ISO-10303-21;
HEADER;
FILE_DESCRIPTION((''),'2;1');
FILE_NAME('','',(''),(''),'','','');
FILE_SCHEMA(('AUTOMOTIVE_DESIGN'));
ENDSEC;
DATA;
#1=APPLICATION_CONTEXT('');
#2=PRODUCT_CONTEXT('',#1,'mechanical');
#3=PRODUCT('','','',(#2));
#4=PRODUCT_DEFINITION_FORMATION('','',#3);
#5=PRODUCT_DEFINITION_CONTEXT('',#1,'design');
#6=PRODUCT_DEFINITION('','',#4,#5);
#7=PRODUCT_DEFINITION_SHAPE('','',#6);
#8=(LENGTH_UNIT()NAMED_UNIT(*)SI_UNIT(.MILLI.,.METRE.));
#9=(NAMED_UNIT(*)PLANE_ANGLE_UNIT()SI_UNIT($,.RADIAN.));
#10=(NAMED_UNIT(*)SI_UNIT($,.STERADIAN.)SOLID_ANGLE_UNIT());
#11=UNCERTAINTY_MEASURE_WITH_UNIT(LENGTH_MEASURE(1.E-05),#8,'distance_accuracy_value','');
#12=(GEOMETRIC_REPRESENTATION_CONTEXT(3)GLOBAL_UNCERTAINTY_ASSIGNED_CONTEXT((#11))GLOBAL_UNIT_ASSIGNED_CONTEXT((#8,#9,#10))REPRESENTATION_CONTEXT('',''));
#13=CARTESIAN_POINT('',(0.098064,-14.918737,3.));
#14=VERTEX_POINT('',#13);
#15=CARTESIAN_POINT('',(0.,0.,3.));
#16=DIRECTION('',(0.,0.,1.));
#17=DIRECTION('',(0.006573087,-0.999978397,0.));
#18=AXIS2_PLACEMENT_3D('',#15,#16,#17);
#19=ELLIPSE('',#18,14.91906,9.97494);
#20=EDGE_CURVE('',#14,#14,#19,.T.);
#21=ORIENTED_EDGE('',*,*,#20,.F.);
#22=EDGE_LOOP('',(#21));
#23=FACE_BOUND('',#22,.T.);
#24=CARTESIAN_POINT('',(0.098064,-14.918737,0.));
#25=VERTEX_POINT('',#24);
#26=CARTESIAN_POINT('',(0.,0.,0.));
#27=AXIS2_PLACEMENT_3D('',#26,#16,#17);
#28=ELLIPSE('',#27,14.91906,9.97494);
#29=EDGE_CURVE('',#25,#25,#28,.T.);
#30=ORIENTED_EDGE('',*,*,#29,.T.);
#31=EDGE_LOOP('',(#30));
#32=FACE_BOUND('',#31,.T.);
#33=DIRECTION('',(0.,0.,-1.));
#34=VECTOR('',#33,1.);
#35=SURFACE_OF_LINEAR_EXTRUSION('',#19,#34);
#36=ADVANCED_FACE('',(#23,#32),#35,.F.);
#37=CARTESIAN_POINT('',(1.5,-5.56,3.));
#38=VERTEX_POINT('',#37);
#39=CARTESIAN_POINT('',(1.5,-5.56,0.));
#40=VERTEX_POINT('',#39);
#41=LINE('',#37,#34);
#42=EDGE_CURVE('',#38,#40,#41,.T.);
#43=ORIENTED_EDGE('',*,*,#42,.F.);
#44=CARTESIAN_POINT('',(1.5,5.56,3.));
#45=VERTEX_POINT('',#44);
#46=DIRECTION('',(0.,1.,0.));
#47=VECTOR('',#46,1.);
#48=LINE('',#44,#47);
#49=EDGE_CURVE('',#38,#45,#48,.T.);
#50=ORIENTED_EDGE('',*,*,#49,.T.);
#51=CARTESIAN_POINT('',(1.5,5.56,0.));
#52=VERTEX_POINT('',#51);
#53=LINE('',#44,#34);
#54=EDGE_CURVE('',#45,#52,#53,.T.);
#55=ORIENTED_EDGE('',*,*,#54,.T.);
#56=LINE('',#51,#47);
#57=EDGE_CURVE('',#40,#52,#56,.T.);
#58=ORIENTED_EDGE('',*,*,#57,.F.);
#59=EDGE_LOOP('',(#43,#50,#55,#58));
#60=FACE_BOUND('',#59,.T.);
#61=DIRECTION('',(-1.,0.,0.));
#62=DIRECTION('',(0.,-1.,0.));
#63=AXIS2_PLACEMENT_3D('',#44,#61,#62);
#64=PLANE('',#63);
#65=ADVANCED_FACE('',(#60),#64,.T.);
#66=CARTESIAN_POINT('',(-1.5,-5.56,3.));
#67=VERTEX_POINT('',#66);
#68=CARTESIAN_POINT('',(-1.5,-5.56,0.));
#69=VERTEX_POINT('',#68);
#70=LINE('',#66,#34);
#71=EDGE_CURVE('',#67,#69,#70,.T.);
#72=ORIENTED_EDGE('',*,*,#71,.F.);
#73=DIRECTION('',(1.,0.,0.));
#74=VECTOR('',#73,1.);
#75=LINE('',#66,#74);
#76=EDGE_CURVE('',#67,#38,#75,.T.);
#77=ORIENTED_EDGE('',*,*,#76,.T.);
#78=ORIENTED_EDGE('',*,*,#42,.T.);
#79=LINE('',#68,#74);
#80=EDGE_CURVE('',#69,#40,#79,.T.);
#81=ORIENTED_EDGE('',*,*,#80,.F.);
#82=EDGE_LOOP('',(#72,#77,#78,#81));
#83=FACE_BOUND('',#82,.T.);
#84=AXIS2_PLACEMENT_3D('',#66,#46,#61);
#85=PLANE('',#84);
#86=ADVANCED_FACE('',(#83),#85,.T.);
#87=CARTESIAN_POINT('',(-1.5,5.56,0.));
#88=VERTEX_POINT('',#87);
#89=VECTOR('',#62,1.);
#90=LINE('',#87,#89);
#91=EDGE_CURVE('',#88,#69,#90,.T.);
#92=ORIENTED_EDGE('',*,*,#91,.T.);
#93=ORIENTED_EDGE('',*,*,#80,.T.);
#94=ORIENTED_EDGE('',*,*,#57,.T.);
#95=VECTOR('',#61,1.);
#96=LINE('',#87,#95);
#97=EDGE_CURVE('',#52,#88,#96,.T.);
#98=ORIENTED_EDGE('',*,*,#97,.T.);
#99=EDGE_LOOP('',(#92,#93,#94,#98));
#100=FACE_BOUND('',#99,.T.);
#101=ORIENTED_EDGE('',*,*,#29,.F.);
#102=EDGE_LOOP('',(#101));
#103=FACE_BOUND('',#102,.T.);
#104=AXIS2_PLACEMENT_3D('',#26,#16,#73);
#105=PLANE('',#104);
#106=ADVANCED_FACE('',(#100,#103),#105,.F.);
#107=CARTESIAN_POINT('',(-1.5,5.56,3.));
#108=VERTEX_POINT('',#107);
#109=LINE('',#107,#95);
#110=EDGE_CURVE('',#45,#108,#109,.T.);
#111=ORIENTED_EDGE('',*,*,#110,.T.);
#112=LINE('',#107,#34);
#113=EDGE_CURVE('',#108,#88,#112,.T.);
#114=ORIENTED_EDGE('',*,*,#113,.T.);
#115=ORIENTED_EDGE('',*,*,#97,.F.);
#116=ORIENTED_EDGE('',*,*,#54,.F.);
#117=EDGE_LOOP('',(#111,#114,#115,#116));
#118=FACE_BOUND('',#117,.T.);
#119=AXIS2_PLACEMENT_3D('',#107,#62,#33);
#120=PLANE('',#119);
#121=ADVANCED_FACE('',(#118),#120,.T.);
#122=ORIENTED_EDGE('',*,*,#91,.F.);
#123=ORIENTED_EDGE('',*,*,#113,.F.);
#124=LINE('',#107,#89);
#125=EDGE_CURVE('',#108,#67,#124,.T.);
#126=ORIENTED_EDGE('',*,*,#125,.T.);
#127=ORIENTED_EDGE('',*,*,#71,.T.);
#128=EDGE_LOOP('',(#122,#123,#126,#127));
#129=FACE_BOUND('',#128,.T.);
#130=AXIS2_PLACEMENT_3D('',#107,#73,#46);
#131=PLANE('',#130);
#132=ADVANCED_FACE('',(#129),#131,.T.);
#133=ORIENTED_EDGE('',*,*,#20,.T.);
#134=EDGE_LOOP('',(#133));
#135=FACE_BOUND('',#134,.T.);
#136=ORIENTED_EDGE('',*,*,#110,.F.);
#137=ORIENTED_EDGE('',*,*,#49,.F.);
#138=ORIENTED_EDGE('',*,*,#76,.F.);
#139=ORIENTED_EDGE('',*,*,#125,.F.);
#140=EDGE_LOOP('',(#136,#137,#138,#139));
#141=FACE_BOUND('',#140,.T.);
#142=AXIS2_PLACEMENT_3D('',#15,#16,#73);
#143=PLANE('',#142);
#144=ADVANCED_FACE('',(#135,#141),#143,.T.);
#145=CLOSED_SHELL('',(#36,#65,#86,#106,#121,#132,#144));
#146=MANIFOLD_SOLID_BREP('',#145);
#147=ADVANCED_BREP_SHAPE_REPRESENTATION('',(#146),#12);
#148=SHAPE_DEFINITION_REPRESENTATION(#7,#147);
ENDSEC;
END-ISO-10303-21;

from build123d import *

# Parameters (mm, degrees)
SKETCH1_RX         = 14.919059527
SKETCH1_RY         = 9.974940077
SKETCH1_W          = 3
SKETCH1_H          = 11.12
BASE_EXTRUDE_DEPTH = 3


with BuildPart() as part:
    # Sketch1 → Base-Extrude (new body)
    with BuildSketch(Plane.XY):
        with Locations(Location((0, 0), (0, 0, -89.623387163))):
            Ellipse(SKETCH1_RX, SKETCH1_RY)
        Rectangle(SKETCH1_W, SKETCH1_H, mode=Mode.SUBTRACT)
    extrude(amount=BASE_EXTRUDE_DEPTH)


solid = part.part
